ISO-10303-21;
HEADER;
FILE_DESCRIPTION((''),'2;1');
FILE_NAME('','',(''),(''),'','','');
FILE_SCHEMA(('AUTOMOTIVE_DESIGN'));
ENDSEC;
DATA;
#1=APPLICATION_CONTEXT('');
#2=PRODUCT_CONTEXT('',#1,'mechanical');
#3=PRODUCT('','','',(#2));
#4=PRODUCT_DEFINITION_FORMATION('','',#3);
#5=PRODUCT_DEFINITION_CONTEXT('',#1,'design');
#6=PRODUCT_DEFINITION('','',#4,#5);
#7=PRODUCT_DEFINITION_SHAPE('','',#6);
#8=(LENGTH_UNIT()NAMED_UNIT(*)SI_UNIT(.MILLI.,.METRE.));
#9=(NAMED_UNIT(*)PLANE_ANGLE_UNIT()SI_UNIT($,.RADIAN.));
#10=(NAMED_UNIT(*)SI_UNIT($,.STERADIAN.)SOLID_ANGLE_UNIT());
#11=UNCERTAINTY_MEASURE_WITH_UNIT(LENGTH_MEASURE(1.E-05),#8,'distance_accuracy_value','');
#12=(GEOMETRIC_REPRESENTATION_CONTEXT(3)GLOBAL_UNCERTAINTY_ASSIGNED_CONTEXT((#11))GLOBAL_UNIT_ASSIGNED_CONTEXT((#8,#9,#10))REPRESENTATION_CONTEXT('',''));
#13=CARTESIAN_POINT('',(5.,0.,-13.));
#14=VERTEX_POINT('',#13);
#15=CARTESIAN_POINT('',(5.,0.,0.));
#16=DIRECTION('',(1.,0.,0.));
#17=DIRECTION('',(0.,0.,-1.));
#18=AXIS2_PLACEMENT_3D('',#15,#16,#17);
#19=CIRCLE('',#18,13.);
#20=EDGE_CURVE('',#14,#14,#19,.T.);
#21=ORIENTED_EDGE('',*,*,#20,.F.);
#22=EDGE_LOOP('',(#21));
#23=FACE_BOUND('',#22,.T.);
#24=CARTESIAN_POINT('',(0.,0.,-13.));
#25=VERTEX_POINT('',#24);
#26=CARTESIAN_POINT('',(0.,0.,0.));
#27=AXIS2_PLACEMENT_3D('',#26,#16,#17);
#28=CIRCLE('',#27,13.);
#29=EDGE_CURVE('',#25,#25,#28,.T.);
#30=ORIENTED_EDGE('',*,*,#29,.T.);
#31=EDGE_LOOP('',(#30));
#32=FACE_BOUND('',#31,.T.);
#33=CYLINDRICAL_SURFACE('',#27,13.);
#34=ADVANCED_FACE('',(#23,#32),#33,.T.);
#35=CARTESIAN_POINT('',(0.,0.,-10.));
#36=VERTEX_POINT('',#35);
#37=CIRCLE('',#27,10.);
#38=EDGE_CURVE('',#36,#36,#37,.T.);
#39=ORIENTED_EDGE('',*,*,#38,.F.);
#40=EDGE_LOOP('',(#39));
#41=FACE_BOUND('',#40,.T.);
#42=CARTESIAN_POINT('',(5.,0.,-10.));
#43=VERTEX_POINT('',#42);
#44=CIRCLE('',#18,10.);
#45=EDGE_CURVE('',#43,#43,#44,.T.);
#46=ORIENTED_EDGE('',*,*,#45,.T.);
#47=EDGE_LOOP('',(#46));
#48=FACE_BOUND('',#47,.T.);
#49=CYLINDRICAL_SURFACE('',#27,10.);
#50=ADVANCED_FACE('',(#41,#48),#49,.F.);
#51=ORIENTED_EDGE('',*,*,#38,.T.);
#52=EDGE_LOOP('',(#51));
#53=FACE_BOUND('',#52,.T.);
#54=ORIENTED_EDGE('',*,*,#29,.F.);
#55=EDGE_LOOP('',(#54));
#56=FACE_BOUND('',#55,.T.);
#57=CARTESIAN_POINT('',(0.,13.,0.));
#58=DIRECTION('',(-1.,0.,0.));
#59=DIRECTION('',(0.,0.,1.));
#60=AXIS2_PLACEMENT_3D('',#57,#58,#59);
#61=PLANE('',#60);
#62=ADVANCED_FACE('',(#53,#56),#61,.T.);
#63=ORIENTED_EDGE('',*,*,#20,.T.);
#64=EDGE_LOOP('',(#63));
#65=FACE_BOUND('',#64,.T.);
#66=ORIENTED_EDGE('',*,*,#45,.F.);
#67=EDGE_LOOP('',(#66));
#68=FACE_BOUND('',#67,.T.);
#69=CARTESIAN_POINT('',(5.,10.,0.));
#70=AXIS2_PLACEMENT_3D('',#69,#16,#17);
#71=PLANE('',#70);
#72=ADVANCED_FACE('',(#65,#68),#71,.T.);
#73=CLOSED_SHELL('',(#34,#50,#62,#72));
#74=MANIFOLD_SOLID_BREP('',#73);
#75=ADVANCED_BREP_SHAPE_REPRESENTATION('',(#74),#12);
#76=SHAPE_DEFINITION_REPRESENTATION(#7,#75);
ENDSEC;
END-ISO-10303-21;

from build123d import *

# Parameters (mm, degrees)
SKETCH_1_W = 5
SKETCH_1_H = 3


with BuildPart() as part:
    # 草图1 → 旋转1 (revolve)
    with BuildSketch(Plane.XY, mode=Mode.PRIVATE) as revolve_1_sk:
        with Locations((2.5, 11.5)):
            Rectangle(SKETCH_1_W, SKETCH_1_H)
    revolve(revolve_1_sk.sketch.rotate(Axis((0, 0, 0), (-1, 0, 0)), 90), axis=Axis((0, 0, 0), (-1, 0, 0)))


solid = part.part
